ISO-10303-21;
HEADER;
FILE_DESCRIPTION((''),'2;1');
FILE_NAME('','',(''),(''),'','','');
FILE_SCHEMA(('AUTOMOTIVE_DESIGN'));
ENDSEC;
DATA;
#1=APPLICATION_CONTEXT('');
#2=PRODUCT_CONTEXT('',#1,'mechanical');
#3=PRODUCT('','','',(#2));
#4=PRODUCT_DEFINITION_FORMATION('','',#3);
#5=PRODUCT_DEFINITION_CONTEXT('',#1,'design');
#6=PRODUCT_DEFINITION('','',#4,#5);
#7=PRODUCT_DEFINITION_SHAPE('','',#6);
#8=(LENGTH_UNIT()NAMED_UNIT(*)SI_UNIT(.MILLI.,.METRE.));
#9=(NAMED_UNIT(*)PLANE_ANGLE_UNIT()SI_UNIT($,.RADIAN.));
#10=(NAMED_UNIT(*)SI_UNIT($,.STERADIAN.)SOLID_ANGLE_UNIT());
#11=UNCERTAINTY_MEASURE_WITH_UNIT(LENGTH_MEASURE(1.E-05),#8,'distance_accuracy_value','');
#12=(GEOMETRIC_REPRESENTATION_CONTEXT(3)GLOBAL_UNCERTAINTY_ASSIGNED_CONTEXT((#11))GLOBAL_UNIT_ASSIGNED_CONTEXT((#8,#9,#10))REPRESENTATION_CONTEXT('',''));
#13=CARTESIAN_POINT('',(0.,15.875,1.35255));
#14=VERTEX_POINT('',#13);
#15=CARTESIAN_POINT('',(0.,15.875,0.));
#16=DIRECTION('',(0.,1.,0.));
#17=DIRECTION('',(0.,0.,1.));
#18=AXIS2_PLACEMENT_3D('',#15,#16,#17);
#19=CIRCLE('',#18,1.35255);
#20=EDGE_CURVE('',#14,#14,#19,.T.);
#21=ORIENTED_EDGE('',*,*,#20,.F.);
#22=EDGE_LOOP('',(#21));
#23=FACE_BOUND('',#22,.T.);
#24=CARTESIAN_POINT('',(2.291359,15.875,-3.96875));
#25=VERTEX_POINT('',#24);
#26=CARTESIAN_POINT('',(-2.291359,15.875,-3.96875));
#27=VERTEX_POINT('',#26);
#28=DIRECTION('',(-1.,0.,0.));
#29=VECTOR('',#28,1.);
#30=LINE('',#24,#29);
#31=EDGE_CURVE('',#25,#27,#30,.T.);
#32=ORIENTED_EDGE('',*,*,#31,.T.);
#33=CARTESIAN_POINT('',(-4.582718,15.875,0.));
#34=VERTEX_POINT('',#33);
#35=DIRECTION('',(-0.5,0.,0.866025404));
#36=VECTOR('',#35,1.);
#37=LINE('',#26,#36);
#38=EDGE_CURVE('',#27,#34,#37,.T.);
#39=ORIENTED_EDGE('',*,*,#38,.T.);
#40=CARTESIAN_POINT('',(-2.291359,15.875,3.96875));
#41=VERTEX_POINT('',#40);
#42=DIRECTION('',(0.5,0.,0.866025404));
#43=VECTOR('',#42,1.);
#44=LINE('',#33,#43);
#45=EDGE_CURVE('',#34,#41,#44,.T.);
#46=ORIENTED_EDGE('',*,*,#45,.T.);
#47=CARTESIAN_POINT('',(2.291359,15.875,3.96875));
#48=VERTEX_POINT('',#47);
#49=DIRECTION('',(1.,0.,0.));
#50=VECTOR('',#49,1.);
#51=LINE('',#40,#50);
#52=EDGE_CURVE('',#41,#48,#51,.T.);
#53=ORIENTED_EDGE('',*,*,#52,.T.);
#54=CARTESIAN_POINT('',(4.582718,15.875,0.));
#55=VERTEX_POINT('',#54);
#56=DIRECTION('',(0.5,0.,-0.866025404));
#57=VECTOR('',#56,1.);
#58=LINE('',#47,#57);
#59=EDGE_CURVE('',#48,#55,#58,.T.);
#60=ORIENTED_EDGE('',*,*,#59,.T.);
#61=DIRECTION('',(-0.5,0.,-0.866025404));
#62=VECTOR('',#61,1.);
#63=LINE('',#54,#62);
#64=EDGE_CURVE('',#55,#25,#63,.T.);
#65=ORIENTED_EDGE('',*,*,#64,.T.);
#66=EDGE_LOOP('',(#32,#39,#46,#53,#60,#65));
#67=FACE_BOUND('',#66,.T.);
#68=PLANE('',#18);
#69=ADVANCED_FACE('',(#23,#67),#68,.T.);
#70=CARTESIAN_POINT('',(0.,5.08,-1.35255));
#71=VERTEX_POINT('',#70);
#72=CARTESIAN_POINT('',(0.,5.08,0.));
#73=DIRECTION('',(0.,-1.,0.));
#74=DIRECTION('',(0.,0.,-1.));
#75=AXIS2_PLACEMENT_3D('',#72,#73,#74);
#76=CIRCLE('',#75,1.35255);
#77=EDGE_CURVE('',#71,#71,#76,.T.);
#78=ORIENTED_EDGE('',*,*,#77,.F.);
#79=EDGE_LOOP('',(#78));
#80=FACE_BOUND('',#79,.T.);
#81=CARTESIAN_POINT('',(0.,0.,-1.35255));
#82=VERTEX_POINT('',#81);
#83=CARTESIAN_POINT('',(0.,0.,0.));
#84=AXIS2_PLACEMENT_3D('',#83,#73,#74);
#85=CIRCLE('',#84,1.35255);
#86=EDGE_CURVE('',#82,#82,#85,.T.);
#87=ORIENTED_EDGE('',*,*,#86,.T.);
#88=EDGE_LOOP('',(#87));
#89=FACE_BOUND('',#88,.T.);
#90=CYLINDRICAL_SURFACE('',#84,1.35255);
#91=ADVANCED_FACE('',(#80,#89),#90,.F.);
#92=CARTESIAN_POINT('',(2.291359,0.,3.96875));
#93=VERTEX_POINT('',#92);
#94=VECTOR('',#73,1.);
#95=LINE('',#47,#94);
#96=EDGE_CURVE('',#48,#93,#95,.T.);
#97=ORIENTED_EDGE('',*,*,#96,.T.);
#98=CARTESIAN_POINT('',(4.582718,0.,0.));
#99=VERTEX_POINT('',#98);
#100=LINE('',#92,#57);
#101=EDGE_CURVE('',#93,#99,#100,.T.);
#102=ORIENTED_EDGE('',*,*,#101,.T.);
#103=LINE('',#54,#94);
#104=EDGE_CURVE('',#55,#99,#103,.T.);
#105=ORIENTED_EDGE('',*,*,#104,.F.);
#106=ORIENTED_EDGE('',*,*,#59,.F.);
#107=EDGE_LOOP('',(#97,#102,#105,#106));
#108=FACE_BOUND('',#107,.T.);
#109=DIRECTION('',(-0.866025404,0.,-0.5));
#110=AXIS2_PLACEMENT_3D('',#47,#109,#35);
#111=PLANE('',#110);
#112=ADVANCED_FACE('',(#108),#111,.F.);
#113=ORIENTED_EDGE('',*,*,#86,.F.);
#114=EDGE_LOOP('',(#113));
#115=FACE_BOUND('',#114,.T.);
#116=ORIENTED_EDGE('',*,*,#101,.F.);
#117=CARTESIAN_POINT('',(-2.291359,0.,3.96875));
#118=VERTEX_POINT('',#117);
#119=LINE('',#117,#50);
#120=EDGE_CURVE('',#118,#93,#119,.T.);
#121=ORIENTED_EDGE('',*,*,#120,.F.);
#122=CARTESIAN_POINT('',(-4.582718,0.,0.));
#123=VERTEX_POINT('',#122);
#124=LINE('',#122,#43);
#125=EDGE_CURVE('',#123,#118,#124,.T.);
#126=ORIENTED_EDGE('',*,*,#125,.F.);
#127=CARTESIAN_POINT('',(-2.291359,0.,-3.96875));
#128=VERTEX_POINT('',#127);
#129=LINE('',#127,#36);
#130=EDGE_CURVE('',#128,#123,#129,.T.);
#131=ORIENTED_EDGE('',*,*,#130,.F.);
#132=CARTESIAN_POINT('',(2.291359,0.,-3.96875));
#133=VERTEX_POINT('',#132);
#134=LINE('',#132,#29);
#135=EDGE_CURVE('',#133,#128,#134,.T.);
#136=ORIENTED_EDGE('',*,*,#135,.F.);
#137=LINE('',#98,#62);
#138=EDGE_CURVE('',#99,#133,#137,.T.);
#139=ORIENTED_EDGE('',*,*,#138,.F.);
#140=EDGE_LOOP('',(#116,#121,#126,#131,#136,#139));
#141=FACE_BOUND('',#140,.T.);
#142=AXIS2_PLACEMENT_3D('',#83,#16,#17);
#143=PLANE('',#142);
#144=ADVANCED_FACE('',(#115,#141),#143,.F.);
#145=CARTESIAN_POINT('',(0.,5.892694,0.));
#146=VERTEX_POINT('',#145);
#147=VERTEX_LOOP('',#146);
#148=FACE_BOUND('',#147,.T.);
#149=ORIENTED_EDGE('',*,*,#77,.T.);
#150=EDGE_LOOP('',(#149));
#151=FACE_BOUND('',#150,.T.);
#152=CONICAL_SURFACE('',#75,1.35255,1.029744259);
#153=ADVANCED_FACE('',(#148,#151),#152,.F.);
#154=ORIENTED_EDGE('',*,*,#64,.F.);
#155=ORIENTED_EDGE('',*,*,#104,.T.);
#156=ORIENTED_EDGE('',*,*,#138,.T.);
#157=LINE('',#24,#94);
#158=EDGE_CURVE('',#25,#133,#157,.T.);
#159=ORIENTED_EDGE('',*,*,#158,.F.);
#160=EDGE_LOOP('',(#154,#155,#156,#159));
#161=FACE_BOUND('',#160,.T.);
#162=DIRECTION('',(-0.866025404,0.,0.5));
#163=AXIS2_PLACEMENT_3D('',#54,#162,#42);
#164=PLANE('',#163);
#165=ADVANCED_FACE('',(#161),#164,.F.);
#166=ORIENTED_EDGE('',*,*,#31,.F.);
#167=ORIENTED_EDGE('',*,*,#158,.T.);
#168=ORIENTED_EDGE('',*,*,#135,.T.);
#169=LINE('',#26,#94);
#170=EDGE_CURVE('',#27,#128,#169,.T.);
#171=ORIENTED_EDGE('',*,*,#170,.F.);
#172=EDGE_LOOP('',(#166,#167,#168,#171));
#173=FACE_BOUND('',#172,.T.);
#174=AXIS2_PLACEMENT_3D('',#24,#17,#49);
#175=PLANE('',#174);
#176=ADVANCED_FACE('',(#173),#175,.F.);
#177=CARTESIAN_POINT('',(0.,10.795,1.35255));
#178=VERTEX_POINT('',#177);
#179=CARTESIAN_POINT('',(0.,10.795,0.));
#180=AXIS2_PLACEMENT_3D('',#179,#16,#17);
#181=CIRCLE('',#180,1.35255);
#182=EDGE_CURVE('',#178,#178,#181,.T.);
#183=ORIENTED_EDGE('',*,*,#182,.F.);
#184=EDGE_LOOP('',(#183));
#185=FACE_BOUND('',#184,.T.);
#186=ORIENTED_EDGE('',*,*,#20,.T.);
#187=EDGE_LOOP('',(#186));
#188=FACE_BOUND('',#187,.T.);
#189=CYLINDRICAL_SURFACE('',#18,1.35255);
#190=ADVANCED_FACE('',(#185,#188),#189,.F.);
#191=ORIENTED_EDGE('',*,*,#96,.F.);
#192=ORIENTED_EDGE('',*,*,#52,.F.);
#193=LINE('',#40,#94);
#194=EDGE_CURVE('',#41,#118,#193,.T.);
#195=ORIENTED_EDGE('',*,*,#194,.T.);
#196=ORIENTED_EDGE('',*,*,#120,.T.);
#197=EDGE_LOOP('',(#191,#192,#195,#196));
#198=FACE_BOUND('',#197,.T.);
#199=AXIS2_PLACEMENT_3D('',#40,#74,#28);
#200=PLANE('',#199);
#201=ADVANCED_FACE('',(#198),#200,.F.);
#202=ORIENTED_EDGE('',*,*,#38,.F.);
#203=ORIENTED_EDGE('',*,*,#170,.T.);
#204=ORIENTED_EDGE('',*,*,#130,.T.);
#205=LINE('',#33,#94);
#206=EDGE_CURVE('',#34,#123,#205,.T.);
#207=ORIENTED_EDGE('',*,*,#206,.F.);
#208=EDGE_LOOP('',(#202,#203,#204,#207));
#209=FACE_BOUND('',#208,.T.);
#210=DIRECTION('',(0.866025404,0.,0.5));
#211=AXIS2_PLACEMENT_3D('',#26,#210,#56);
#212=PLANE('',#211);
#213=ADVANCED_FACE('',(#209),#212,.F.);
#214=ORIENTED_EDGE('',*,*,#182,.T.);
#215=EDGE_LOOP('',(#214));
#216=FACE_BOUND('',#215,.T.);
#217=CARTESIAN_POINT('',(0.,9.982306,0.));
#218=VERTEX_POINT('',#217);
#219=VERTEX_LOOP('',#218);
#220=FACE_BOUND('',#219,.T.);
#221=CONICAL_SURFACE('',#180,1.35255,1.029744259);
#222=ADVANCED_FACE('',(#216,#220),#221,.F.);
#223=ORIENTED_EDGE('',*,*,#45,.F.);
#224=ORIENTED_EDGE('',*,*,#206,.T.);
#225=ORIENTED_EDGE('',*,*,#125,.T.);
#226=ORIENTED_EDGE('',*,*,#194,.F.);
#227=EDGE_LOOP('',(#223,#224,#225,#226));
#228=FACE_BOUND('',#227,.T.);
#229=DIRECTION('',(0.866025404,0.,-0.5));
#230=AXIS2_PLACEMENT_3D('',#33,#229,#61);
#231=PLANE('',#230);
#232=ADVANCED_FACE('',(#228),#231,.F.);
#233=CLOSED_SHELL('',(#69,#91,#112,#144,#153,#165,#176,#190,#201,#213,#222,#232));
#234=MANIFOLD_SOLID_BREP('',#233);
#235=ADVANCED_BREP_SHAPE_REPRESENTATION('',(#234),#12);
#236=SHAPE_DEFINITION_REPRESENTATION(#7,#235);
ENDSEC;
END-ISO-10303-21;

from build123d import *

# Parameters (mm, degrees)
BOSS_EXTRUDE1_DEPTH       = 15.875
F_6_32_TAPPED_HOLE1_D     = 2.7051
F_6_32_TAPPED_HOLE1_DEPTH = 5.08
F_6_32_TAPPED_HOLE1_TIP   = 0.81269403
F_6_32_TAPPED_HOLE2_D     = 2.7051
F_6_32_TAPPED_HOLE2_DEPTH = 5.08
F_6_32_TAPPED_HOLE2_TIP   = 0.81269403


with BuildPart() as part:
    # Sketch2 → Boss-Extrude1 (new body)
    with BuildSketch(Plane(origin=(0, 0, 0), x_dir=(1, 0, 0), z_dir=(0, 1, 0))):
        Polygon((4.582717762, 0), (2.291358881, 3.96875), (-2.291358881, 3.96875), (-4.582717762, 0), (-2.291358881, -3.96875), (2.291358881, -3.96875), align=None)
    extrude(amount=BOSS_EXTRUDE1_DEPTH)

    # #6-32 Tapped Hole1
    with Locations(Plane(origin=(0, 0, 0), x_dir=(-1, 0, 0), z_dir=(0, -1, 0))):
        with Locations((0, 0)):
            Hole(F_6_32_TAPPED_HOLE1_D / 2, depth=F_6_32_TAPPED_HOLE1_DEPTH)
            with Locations((0, 0, -(F_6_32_TAPPED_HOLE1_DEPTH + F_6_32_TAPPED_HOLE1_TIP / 2))):  # 118° drill point
                Cone(0, F_6_32_TAPPED_HOLE1_D / 2, F_6_32_TAPPED_HOLE1_TIP, mode=Mode.SUBTRACT)

    # #6-32 Tapped Hole2
    with Locations(Plane(origin=(0, 15.875, 0), x_dir=(1, 0, 0), z_dir=(0, 1, 0))):
        with Locations((0, 0)):
            Hole(F_6_32_TAPPED_HOLE2_D / 2, depth=F_6_32_TAPPED_HOLE2_DEPTH)
            with Locations((0, 0, -(F_6_32_TAPPED_HOLE2_DEPTH + F_6_32_TAPPED_HOLE2_TIP / 2))):  # 118° drill point
                Cone(0, F_6_32_TAPPED_HOLE2_D / 2, F_6_32_TAPPED_HOLE2_TIP, mode=Mode.SUBTRACT)


solid = part.part
